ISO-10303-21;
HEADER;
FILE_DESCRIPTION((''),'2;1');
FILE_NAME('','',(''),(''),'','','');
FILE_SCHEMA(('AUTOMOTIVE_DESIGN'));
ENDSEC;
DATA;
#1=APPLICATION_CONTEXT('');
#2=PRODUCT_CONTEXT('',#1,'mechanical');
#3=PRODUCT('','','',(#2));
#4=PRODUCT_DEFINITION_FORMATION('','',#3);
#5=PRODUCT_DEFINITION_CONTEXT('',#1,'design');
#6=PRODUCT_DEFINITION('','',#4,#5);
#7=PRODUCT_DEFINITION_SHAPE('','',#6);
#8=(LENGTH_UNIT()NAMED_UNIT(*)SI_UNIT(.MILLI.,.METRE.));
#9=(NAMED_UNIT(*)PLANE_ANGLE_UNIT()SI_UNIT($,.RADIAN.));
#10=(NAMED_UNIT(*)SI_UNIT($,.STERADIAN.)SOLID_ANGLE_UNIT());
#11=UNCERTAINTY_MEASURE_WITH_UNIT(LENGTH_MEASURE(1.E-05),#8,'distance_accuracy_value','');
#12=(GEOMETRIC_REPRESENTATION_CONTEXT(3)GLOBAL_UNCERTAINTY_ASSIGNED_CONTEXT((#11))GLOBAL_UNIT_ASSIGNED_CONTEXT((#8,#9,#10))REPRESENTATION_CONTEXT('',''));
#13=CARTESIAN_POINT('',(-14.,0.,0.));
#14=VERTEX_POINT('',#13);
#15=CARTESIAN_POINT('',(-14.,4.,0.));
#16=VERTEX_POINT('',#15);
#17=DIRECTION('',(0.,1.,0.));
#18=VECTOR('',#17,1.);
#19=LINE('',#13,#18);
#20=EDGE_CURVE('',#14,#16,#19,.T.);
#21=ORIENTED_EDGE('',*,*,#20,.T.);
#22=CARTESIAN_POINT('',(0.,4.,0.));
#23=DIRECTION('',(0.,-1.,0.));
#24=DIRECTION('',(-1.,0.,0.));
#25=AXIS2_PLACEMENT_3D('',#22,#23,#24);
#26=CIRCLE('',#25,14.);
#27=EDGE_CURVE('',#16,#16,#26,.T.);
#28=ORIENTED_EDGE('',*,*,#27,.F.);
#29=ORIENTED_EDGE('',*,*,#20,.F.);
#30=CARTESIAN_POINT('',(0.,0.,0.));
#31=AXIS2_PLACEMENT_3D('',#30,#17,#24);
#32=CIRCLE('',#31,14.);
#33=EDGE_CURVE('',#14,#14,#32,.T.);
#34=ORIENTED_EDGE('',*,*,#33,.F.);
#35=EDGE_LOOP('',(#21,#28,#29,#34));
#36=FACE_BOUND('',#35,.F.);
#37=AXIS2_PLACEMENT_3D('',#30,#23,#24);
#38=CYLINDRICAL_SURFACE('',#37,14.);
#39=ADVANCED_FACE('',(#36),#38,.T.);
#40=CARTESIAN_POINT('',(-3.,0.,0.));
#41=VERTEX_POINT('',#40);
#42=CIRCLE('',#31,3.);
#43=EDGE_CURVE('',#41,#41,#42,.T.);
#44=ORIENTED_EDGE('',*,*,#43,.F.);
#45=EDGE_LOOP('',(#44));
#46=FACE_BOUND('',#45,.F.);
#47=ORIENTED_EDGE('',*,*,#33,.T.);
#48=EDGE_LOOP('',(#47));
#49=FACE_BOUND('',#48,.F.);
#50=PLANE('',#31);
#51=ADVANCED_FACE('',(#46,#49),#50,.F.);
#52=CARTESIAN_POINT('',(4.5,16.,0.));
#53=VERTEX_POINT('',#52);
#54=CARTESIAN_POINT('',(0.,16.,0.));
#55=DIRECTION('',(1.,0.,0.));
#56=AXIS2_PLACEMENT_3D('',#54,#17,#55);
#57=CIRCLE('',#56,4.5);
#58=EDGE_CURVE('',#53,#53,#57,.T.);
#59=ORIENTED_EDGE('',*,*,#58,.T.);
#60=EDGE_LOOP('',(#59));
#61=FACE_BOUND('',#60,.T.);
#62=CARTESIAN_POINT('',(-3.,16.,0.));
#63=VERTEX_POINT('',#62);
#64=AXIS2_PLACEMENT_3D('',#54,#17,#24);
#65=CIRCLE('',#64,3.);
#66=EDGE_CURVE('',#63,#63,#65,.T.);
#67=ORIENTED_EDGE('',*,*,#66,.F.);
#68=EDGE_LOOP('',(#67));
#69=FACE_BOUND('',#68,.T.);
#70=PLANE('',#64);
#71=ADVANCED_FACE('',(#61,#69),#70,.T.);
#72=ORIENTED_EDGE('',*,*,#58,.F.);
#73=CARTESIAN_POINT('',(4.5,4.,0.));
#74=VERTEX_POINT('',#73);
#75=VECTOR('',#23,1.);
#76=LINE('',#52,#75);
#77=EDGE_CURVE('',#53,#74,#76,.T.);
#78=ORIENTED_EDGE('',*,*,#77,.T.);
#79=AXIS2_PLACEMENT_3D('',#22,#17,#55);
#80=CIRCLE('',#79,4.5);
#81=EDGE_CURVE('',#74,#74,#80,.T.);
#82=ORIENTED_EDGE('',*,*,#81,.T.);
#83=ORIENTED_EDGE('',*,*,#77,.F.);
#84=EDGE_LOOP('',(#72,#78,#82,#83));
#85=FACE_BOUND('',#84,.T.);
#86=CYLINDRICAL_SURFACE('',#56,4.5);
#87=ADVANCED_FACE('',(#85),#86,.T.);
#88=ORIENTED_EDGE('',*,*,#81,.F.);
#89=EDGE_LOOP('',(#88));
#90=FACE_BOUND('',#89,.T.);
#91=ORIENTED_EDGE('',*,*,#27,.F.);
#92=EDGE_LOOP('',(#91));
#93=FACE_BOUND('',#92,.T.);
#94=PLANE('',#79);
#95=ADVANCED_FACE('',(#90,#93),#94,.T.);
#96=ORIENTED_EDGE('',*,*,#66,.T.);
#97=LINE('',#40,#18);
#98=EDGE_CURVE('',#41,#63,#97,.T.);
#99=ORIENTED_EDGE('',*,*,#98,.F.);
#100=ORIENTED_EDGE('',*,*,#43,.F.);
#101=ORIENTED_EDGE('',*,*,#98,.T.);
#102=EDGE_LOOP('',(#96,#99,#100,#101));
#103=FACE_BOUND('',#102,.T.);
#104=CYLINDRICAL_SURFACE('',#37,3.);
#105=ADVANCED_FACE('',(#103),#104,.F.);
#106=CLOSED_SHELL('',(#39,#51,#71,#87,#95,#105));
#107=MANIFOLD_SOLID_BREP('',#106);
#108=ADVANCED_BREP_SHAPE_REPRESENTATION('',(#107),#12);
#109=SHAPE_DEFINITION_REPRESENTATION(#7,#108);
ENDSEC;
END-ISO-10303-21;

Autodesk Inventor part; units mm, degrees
ref_plane "YZ Plane" through (0, 0, 0) normal (1, 0, 0) x (0, 1, 0)
ref_plane "XZ Plane" through (0, 0, 0) normal (0, 1, 0) x (-1, 0, 0)
ref_plane "XY Plane" through (0, 0, 0) normal (0, 0, 1) x (1, 0, 0)
sketch "Sketch1" plane through (0, 0, 0) normal (0, 1, 0) x (-1, 0, 0)
  circle A0 centre (0, 0) radius 14
  circle A1 centre (0, 0) radius 3
  dimension "d0" = 28
  dimension "d1" = 6
extrude "Extrusion1" add sketch "Sketch1" along normal blind 16
sketch "Sketch2" plane through (0, 16, 0) normal (0, 1, 0) x (1, 0, 0)
  circle A0 centre (0, 0) radius 14
  circle A1 centre (0, 0) radius 4.5
  dimension "d4" = 9
extrude "Extrusion2" cut sketch "Sketch2" against normal blind 12
properties part number "60mm Wheel hub"
